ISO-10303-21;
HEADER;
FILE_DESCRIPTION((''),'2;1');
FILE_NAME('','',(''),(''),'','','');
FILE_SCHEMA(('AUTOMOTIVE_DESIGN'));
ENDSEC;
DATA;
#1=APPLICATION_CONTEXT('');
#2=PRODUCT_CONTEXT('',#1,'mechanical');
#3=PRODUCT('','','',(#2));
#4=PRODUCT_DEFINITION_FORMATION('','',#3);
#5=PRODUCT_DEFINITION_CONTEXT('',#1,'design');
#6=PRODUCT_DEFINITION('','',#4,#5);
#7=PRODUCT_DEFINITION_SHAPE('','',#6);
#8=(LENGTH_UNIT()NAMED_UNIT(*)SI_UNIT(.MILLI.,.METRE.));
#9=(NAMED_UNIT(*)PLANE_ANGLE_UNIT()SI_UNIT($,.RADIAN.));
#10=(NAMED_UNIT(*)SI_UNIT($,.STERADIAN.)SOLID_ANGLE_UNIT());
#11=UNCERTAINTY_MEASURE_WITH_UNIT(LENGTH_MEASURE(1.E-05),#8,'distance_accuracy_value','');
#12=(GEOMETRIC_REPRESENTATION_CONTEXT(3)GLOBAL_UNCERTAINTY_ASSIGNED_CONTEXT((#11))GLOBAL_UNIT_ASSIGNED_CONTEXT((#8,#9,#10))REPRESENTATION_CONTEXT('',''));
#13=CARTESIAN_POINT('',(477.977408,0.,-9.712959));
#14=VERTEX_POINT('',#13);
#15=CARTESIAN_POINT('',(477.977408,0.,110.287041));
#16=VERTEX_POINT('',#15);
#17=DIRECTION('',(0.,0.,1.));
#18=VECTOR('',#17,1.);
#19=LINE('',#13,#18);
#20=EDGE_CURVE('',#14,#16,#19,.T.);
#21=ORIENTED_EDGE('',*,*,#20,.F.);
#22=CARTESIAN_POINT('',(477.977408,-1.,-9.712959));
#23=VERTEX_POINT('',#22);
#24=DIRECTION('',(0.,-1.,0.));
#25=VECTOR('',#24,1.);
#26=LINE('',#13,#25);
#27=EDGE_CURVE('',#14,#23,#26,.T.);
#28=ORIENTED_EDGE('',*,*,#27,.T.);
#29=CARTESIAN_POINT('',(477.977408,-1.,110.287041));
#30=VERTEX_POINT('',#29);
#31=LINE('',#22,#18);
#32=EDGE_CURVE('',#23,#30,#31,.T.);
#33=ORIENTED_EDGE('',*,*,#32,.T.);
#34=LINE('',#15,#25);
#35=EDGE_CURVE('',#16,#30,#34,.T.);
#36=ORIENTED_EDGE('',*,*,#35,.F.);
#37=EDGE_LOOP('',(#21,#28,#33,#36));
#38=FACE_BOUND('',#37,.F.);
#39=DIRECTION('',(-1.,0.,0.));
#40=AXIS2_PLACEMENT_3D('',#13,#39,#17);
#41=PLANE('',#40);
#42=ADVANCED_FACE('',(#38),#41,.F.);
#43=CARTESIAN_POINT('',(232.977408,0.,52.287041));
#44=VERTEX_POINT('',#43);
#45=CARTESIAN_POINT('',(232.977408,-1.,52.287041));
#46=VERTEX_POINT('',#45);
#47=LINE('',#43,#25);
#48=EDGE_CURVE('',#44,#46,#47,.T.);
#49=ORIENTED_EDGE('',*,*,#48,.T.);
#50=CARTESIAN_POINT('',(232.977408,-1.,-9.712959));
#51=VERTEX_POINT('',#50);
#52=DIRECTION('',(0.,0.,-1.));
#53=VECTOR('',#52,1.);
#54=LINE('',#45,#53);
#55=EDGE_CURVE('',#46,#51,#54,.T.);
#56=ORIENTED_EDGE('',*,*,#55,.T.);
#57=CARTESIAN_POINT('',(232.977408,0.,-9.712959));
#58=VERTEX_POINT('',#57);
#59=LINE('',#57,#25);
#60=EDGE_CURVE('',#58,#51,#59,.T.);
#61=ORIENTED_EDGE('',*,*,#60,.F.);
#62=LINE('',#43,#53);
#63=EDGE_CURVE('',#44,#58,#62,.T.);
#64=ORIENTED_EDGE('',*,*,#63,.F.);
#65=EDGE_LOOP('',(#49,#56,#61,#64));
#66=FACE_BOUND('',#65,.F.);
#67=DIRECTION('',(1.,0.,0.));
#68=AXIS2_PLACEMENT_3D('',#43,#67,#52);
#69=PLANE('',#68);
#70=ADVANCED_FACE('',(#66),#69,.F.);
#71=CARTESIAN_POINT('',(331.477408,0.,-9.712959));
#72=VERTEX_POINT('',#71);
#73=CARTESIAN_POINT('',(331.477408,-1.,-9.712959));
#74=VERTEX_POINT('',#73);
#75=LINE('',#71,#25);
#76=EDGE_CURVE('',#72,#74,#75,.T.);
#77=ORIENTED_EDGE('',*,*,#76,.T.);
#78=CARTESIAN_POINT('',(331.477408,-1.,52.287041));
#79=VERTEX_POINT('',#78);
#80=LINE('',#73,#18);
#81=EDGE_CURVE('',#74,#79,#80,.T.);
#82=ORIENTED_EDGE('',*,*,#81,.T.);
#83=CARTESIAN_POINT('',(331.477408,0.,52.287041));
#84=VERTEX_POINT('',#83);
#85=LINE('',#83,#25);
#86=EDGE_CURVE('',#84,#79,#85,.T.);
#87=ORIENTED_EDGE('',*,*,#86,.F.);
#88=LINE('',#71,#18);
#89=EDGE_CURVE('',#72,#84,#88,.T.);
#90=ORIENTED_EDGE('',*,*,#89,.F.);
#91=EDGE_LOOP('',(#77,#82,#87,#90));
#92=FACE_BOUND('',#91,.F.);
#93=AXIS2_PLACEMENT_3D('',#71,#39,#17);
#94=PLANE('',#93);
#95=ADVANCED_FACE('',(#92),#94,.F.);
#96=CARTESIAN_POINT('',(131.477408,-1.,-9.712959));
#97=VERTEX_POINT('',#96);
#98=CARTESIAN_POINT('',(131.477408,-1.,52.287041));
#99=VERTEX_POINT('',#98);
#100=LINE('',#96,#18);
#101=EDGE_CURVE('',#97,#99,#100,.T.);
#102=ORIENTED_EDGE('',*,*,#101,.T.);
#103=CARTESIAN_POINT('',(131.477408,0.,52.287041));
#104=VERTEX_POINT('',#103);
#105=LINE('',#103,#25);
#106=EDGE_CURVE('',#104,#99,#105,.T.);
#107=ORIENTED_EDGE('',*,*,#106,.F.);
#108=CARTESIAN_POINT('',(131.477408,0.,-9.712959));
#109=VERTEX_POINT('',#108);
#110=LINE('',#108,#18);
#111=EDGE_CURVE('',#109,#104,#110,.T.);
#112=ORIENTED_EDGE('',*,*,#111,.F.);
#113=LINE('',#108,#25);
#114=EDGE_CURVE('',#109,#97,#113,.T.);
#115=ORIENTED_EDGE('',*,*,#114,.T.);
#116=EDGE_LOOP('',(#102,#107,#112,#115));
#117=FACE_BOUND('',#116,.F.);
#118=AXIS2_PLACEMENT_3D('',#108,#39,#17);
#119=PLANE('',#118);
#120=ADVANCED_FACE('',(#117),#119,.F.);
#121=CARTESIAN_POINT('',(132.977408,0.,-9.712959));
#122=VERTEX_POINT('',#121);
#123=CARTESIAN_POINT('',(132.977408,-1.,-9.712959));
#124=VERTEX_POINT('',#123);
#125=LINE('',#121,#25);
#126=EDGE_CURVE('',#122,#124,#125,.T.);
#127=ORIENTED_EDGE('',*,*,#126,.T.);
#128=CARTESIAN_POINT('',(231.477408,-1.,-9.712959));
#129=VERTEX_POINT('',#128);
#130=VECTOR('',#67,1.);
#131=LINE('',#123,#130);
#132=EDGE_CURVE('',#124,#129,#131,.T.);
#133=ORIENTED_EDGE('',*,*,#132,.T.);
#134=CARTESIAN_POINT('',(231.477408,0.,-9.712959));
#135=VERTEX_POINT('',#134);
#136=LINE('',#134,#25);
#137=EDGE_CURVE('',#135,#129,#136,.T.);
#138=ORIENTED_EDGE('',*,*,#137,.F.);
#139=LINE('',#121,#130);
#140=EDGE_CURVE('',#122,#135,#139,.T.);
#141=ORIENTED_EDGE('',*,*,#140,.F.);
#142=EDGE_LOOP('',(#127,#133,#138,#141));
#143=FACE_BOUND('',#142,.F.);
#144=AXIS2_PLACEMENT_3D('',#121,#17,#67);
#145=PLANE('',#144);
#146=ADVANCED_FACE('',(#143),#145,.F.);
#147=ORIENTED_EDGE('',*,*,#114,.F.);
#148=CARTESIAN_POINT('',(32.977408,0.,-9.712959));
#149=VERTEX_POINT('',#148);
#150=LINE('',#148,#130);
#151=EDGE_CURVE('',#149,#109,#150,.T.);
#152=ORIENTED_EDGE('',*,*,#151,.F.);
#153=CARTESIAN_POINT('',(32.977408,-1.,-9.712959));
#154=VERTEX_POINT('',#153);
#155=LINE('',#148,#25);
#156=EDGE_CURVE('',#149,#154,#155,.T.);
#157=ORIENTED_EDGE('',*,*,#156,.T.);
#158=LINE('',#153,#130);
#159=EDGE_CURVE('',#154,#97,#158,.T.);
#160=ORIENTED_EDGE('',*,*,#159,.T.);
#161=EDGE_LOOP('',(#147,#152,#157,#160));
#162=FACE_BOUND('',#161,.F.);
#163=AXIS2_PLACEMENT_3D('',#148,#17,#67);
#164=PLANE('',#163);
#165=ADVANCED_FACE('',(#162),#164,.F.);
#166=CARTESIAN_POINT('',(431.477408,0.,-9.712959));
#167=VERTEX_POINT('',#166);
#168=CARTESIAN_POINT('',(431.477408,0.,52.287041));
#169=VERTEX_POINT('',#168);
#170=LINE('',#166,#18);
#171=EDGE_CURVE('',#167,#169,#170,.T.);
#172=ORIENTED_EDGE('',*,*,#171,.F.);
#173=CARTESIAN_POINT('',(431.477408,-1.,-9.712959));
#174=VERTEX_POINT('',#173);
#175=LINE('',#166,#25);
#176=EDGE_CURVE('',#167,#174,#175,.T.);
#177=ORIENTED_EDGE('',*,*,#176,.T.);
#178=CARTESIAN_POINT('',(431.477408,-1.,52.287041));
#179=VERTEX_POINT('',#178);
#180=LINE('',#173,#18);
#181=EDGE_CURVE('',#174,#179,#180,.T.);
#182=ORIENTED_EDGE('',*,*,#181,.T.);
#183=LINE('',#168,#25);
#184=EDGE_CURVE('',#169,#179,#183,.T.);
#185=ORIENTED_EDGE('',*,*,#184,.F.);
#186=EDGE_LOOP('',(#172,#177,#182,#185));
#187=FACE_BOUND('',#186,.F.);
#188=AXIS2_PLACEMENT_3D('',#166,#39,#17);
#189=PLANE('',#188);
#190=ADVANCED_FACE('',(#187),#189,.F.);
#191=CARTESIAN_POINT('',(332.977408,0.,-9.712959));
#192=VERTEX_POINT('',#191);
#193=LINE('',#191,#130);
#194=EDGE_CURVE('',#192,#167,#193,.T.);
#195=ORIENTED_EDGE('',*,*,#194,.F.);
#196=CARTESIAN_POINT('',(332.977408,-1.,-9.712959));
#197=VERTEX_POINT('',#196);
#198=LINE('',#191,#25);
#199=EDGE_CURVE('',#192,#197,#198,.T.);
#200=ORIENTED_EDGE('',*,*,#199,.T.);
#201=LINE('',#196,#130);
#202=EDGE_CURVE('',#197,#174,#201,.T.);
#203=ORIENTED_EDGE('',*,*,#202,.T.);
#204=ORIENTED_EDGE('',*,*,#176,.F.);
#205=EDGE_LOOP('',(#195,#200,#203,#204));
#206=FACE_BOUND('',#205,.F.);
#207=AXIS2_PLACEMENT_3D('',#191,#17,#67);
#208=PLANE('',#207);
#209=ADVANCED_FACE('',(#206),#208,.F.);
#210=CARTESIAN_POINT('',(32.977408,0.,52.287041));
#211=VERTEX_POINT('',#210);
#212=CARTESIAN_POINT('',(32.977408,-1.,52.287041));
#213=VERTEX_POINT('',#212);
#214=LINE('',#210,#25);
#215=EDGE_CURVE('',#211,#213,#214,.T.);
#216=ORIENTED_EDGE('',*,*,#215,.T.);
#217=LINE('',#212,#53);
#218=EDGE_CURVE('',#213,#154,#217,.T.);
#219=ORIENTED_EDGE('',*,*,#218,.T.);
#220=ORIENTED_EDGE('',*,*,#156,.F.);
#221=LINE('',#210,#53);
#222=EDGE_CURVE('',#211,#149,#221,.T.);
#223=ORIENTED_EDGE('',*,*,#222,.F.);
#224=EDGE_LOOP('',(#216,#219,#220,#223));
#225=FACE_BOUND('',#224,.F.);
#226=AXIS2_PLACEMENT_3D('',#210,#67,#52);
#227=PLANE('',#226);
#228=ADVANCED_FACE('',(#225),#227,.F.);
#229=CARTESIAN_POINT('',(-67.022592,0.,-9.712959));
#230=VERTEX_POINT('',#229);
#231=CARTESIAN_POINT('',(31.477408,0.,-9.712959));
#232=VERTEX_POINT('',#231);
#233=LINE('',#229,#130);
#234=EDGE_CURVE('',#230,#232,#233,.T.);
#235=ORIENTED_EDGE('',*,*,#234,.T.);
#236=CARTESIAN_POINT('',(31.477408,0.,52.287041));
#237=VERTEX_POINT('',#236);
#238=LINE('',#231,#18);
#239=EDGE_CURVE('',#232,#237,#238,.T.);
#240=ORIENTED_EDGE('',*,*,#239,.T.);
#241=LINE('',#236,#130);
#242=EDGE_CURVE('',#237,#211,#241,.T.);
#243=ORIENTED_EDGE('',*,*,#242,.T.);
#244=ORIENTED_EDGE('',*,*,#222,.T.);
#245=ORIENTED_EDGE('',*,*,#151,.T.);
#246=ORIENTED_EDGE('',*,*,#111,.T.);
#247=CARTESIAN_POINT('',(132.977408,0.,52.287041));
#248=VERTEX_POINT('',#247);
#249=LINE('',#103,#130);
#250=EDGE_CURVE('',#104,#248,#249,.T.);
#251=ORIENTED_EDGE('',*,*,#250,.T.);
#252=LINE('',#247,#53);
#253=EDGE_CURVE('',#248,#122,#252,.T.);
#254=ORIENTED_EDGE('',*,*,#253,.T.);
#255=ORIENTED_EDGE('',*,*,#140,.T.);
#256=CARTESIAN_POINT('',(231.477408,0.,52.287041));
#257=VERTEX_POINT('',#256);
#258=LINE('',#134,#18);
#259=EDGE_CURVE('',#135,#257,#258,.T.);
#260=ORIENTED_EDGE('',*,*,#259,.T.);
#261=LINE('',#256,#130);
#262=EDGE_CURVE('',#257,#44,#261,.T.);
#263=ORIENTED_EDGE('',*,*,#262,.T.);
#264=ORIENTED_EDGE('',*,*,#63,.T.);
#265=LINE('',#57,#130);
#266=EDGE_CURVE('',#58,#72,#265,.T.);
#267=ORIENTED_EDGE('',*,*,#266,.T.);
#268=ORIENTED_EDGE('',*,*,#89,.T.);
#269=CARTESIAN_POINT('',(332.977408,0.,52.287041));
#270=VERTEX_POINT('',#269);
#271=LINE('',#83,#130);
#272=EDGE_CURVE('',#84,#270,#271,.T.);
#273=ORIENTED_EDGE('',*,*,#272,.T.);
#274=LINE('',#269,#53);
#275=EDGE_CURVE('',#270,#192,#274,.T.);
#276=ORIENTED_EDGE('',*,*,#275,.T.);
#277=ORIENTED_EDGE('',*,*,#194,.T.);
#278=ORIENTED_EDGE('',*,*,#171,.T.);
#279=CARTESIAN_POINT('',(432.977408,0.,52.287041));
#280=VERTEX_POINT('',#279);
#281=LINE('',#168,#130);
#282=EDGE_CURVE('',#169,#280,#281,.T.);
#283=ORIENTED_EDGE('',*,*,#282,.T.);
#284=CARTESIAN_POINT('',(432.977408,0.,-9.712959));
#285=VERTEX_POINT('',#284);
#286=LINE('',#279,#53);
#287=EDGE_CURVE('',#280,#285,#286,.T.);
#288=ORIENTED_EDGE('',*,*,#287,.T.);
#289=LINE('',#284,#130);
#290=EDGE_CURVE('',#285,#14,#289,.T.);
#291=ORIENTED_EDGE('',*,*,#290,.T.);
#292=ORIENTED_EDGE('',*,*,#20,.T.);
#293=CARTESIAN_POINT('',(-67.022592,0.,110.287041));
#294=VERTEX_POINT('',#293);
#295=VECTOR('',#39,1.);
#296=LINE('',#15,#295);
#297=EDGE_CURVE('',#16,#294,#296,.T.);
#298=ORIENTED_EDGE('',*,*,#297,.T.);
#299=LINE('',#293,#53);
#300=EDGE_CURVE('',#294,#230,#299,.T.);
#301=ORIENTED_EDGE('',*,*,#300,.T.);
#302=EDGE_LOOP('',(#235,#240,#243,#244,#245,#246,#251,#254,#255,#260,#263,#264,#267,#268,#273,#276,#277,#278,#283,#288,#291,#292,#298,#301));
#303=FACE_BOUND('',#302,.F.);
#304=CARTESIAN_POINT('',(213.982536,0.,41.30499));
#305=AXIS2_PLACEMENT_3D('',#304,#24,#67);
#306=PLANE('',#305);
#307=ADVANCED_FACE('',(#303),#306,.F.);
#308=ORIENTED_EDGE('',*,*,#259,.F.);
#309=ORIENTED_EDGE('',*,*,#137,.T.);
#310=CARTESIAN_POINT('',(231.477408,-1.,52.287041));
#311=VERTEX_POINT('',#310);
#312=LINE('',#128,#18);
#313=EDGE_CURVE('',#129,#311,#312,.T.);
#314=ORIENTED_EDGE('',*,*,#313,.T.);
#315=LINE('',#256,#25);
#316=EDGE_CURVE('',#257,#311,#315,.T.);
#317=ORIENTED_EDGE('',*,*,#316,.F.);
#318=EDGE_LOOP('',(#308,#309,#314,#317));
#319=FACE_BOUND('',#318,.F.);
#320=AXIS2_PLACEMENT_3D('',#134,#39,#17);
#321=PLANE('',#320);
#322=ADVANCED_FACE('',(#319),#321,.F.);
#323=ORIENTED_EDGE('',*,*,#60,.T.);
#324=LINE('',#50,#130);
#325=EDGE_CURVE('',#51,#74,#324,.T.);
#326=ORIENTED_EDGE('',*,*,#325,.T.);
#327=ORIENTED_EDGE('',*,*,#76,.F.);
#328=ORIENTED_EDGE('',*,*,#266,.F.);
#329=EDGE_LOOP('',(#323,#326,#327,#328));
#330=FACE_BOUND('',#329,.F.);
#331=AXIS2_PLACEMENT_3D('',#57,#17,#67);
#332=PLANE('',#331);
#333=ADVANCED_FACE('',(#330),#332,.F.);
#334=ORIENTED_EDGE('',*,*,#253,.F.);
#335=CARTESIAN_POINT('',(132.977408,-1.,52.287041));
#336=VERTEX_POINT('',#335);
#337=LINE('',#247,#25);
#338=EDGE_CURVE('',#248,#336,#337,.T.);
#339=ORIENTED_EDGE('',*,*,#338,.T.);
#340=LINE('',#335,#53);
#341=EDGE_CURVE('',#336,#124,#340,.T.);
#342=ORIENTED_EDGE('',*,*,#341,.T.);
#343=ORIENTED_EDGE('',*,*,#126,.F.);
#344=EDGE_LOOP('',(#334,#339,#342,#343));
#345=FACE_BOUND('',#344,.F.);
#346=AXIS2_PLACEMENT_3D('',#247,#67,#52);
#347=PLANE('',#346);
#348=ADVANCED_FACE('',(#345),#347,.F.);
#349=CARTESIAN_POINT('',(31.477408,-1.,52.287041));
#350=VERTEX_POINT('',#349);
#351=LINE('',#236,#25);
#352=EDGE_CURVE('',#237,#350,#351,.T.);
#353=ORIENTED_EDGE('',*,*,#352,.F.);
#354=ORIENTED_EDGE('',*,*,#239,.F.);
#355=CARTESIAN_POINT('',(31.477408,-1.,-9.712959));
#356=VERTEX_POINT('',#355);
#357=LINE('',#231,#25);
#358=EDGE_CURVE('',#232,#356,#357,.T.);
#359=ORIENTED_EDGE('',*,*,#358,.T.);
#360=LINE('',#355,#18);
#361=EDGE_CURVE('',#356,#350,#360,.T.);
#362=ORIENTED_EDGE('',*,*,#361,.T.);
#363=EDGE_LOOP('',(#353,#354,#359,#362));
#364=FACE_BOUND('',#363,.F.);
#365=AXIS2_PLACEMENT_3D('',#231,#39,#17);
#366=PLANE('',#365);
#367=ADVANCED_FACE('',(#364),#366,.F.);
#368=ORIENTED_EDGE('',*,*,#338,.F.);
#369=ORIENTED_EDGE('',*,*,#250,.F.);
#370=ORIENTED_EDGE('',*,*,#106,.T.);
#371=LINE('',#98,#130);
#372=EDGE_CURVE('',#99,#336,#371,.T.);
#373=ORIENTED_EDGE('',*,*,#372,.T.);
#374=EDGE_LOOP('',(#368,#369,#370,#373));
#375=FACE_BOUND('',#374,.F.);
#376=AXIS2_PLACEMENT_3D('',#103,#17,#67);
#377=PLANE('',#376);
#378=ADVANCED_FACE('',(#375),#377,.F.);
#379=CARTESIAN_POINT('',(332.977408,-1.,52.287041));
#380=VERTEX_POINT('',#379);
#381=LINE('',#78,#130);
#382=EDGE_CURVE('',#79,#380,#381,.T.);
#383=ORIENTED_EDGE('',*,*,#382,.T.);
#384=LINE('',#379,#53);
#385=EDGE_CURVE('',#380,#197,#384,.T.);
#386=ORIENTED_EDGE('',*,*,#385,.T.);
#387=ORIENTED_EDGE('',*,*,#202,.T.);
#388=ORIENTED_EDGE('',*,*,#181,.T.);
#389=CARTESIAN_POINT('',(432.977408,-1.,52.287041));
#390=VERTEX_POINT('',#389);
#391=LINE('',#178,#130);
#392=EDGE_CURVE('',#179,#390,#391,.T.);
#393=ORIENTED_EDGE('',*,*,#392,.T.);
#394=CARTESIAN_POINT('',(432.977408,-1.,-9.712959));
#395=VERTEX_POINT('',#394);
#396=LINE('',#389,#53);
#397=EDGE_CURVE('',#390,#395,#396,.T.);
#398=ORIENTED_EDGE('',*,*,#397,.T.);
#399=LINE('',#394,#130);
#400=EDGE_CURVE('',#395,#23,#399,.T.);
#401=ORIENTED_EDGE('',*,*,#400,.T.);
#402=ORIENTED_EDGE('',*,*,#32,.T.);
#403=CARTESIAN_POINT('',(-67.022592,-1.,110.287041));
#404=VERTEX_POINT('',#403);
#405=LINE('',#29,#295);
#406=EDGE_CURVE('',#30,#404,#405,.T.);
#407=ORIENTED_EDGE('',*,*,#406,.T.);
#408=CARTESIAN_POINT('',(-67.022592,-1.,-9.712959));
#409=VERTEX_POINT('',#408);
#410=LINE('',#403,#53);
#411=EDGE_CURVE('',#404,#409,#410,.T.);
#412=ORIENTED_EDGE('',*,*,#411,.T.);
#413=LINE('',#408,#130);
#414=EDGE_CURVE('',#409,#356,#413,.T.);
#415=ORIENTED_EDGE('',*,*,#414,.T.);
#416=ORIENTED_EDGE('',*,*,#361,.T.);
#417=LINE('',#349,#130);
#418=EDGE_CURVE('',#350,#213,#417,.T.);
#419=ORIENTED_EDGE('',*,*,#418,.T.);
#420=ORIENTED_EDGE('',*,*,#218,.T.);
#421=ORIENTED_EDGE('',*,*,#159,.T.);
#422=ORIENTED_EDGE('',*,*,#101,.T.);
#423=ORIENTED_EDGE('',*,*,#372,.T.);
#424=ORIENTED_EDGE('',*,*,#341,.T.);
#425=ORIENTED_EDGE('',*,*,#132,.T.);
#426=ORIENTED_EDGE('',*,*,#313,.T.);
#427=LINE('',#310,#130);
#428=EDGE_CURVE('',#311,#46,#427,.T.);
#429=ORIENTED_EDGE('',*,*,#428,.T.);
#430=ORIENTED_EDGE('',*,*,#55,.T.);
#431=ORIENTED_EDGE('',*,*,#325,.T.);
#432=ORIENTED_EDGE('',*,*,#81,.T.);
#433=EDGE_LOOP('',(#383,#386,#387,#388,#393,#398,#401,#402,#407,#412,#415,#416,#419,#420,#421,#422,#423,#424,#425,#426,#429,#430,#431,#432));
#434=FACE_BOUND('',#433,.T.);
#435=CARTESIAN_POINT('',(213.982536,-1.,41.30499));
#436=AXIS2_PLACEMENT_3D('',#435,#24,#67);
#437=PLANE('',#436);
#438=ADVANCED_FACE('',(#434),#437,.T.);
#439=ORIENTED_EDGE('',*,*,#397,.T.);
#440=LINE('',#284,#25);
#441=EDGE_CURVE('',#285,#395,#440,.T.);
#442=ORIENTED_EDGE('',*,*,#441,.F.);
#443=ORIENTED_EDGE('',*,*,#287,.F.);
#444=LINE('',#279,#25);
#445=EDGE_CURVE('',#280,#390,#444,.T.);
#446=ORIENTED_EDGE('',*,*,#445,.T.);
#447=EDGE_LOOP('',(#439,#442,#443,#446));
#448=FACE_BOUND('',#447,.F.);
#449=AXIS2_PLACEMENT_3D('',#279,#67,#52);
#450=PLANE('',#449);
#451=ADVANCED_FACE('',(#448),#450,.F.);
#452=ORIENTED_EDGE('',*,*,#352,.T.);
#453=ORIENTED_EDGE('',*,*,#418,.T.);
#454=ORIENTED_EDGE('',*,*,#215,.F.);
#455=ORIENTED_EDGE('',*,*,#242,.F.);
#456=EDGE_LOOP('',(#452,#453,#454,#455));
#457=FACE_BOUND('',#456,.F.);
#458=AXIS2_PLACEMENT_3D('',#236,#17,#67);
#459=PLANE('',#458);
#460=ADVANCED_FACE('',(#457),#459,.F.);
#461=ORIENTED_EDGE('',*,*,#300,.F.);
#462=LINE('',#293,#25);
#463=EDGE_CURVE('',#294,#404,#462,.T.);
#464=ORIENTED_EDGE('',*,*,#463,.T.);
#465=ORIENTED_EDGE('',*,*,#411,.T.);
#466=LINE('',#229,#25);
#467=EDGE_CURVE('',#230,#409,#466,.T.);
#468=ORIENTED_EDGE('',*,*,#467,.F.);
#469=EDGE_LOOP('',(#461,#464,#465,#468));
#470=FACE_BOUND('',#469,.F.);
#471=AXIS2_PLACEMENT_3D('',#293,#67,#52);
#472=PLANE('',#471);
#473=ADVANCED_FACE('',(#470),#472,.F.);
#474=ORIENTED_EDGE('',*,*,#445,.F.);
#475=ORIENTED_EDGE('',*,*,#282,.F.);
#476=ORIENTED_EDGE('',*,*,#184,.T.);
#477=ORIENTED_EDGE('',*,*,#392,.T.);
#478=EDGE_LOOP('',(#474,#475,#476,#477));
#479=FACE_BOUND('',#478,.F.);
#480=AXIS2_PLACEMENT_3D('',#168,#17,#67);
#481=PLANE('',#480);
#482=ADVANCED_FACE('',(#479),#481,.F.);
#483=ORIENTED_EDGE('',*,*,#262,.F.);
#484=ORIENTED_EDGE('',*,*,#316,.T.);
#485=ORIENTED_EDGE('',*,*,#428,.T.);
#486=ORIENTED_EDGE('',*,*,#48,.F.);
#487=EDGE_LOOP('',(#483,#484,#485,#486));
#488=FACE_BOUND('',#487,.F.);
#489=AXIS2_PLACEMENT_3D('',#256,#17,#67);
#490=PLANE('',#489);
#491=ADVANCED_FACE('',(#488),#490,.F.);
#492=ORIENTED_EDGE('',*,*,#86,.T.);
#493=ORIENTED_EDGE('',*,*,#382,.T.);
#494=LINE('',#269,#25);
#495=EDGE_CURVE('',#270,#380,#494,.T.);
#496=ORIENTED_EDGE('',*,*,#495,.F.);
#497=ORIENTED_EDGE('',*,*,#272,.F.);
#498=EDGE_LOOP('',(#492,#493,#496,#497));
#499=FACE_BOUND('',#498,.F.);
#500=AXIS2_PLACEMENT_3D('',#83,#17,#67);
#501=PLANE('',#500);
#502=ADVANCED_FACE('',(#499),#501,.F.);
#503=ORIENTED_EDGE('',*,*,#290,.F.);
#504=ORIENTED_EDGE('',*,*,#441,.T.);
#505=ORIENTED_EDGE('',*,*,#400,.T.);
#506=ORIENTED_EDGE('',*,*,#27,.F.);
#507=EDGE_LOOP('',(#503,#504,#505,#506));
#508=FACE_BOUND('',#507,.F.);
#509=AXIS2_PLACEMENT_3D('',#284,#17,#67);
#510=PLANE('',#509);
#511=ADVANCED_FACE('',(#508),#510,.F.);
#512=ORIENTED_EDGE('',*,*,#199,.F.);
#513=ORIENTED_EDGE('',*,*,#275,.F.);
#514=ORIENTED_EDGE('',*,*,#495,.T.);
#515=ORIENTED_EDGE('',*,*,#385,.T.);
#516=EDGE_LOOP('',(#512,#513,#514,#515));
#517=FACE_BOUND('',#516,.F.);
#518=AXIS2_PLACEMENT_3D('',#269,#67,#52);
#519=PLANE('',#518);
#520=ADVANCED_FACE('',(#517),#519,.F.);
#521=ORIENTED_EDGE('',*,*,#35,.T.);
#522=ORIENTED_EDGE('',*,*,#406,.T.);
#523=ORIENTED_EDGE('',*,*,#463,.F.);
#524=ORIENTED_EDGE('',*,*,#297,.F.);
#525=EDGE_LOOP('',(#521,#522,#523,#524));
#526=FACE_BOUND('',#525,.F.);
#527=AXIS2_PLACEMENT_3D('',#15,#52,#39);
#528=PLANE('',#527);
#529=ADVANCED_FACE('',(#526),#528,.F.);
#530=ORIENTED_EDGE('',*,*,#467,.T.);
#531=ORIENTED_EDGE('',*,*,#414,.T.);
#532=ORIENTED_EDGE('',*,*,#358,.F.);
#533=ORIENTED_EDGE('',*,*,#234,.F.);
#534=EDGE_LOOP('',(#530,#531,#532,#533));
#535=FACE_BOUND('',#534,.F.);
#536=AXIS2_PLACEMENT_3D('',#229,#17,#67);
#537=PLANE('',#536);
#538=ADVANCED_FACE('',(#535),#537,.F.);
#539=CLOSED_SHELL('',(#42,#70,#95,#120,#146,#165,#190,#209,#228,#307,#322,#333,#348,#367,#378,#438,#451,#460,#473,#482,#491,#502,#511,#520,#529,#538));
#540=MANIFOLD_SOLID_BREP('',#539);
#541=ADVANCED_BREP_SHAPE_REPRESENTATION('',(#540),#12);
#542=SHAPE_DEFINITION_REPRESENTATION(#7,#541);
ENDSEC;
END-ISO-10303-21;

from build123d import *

# Parameters (mm, degrees)
F1_DEPTH = 1


with BuildPart() as f1:
    # F0 (on Front) → F1 (new body)
    with BuildSketch(Plane.XZ):
        Polygon((-67.022592, 110.287041), (-67.022592, -9.712959), (31.477408, -9.712959), (31.477408, 52.287041), (32.977408, 52.287041), (32.977408, -9.712959), (131.477408, -9.712959), (131.477408, 52.287041), (132.977408, 52.287041), (132.977408, -9.712959), (231.477408, -9.712959), (231.477408, 52.287041), (232.977408, 52.287041), (232.977408, -9.712959), (331.477408, -9.712959), (331.477408, 52.287041), (332.977408, 52.287041), (332.977408, -9.712959), (431.477408, -9.712959), (431.477408, 52.287041), (432.977408, 52.287041), (432.977408, -9.712959), (477.977408, -9.712959), (477.977408, 110.287041), align=None)
    extrude(amount=F1_DEPTH)


solid = f1.part
